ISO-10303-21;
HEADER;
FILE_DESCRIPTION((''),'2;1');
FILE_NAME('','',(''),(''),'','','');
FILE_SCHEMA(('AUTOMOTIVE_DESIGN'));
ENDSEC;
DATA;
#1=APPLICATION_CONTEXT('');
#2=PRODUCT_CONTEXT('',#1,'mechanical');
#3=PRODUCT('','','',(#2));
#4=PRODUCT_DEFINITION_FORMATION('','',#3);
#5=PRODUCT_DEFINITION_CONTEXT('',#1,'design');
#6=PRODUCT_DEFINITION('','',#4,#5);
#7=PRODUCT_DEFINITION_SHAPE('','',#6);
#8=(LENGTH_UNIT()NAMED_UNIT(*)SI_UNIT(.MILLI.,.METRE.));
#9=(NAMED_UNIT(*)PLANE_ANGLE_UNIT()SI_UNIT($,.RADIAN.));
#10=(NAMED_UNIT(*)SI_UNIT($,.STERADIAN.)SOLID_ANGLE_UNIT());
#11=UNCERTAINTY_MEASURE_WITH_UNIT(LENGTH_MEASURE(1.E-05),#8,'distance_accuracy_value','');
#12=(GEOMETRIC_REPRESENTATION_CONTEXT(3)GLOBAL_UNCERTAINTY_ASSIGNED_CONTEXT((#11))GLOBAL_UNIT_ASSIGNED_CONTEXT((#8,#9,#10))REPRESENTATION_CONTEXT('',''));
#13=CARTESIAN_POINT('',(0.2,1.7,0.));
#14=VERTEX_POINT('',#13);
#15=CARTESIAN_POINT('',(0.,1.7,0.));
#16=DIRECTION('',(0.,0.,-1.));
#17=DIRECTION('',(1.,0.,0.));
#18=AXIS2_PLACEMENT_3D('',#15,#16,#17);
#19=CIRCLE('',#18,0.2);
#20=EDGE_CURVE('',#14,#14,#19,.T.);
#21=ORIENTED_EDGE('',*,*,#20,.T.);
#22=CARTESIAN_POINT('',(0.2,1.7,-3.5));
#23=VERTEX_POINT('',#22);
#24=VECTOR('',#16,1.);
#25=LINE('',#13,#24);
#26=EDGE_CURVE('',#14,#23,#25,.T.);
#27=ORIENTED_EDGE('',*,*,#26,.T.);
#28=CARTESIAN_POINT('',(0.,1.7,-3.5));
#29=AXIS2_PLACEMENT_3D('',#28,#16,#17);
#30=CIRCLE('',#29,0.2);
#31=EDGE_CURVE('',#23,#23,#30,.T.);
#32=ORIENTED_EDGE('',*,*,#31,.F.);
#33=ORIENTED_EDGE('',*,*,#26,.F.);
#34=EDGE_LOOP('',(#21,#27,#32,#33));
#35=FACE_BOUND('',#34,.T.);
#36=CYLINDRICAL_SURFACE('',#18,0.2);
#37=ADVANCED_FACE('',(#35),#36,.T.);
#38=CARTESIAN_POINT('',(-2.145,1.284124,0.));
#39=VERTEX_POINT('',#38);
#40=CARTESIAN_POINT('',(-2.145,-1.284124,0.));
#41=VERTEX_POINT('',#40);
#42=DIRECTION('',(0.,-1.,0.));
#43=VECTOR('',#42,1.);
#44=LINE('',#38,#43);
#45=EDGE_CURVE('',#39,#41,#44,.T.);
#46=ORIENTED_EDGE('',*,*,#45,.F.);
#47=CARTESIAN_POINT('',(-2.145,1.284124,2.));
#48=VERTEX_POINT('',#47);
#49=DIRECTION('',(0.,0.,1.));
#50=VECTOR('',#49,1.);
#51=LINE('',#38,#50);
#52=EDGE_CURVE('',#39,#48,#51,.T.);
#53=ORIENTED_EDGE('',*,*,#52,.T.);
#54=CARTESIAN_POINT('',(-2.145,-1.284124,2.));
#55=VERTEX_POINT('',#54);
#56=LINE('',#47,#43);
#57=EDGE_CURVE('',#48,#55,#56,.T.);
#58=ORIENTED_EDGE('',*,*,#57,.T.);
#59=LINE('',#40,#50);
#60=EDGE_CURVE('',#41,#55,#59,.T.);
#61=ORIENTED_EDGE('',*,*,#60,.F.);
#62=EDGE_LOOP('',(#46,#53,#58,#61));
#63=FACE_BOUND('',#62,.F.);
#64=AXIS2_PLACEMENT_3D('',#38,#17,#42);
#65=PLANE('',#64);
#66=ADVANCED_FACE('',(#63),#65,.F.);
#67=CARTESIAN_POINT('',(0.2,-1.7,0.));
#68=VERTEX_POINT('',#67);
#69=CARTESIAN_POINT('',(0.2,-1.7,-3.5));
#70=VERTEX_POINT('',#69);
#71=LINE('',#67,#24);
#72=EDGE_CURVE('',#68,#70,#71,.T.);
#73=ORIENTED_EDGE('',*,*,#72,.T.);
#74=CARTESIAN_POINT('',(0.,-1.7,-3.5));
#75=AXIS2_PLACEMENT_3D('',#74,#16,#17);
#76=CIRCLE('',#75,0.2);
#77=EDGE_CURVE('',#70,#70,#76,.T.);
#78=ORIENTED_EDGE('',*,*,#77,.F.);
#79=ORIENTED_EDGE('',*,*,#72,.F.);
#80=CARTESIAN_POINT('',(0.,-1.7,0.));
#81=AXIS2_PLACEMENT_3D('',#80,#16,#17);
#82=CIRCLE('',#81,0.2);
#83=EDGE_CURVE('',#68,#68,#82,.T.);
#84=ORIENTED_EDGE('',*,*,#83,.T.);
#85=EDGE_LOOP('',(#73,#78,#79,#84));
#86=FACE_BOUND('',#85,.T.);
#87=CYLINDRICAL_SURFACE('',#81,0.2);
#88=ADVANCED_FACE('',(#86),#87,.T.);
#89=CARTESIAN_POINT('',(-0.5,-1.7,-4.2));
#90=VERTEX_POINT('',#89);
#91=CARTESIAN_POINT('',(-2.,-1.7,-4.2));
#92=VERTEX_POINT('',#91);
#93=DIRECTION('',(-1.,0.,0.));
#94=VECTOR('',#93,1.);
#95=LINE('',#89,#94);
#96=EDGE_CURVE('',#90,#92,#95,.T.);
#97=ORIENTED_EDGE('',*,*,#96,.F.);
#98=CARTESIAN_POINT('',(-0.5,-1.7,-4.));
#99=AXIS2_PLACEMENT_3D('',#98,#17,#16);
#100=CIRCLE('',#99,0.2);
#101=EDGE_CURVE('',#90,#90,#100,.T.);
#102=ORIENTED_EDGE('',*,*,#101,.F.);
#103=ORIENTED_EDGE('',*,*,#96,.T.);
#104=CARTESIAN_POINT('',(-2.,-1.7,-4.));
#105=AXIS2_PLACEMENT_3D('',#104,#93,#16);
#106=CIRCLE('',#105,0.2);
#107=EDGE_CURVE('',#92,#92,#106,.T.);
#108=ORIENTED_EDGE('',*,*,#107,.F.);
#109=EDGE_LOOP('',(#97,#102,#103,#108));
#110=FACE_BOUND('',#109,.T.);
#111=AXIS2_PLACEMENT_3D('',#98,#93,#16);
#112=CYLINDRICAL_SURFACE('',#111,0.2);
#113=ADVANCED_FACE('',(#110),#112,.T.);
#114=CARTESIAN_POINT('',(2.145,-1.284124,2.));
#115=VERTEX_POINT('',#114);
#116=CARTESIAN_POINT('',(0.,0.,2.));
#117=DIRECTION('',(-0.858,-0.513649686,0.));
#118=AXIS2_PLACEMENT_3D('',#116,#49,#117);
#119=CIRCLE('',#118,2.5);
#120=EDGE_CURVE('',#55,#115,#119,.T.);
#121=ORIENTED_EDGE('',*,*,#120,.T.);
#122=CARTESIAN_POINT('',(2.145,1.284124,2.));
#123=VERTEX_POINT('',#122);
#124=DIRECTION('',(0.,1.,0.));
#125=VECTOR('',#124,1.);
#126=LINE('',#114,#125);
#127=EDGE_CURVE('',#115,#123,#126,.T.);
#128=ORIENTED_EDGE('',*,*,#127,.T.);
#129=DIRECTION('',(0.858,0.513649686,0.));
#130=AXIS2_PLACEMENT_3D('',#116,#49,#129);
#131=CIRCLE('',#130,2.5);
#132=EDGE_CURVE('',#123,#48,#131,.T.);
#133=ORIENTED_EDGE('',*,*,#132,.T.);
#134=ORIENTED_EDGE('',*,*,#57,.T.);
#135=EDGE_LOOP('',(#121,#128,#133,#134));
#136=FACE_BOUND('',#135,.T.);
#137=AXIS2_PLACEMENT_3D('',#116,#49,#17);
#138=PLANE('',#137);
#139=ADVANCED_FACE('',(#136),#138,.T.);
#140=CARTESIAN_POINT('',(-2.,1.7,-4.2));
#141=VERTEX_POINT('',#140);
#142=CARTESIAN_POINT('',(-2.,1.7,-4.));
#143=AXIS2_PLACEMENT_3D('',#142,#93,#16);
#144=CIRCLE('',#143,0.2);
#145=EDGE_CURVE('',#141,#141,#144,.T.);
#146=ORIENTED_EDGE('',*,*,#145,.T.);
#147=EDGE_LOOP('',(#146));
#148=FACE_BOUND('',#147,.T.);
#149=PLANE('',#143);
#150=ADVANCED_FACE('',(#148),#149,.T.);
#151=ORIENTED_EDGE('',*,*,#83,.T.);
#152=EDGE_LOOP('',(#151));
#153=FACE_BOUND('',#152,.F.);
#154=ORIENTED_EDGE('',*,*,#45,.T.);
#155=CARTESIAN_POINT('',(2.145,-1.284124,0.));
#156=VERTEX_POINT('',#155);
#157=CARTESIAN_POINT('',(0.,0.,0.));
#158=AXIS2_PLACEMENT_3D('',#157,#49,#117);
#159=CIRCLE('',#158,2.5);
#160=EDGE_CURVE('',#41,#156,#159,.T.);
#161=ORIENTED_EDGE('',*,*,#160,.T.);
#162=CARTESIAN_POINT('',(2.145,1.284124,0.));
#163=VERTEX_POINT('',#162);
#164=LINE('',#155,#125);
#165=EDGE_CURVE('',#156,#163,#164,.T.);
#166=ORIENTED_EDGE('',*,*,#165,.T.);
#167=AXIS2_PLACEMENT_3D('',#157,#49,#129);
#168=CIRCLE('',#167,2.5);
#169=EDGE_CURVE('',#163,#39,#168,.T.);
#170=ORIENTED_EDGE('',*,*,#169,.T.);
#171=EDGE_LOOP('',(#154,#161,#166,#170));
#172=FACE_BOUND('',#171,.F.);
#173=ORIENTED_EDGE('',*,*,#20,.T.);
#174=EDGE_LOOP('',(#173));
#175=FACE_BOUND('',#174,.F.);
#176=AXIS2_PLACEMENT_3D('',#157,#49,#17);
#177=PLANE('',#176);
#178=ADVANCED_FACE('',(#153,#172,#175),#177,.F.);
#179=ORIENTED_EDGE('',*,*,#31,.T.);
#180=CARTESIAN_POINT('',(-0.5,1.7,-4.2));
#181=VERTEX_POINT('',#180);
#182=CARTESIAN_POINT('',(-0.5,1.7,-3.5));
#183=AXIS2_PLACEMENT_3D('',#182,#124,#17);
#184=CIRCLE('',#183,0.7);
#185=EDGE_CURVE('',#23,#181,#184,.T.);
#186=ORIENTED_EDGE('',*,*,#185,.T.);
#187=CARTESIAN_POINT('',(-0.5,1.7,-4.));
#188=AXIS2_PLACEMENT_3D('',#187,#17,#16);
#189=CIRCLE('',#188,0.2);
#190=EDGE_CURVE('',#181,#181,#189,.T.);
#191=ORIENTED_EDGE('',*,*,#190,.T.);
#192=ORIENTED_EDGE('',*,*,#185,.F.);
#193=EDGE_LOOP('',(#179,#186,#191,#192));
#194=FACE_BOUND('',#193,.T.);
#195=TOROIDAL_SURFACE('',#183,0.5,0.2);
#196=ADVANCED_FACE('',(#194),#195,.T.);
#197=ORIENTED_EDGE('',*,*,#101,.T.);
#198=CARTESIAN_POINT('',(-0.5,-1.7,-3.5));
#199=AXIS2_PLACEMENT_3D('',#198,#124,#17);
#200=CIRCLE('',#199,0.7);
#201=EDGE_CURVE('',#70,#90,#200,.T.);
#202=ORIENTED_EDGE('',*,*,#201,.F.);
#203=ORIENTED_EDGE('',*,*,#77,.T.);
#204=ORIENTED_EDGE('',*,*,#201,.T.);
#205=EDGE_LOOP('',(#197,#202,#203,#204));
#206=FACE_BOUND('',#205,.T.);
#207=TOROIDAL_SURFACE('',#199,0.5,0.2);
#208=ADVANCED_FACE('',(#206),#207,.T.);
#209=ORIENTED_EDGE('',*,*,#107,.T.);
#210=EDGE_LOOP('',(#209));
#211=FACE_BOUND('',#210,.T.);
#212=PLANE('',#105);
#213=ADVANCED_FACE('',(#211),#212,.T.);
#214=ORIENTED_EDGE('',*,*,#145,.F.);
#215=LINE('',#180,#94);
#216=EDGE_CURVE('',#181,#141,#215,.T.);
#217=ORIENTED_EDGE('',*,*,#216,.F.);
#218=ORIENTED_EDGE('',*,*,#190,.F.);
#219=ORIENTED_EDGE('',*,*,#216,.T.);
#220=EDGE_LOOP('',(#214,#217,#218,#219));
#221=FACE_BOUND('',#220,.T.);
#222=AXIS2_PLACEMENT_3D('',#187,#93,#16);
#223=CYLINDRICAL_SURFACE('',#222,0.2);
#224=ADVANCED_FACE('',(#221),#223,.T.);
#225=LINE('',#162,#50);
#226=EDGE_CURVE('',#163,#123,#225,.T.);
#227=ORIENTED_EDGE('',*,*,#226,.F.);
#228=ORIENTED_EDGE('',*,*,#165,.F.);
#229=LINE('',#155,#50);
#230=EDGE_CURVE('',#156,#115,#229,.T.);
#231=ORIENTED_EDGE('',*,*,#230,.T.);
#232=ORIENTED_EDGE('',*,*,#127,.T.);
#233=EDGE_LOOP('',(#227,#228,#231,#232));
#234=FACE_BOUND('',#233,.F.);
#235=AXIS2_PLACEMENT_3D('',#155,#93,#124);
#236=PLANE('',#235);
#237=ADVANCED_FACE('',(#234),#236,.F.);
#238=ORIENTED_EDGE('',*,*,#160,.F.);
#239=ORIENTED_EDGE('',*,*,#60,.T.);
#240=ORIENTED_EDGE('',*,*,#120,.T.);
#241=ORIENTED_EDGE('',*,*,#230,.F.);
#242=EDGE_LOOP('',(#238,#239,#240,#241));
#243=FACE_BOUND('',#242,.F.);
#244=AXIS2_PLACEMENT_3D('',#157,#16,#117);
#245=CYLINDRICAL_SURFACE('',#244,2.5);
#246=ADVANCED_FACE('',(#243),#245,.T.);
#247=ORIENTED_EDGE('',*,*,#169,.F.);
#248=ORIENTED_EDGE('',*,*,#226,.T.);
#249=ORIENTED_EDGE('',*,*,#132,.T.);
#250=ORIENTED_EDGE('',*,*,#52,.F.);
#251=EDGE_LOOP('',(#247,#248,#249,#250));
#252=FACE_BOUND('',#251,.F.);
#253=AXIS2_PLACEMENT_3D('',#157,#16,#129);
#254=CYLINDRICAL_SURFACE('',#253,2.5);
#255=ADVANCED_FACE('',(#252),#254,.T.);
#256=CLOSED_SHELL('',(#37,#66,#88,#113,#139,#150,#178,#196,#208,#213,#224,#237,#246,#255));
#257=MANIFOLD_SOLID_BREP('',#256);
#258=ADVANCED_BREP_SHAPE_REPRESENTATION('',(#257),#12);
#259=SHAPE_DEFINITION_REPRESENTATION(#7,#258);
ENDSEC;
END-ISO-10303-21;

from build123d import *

# Parameters (mm, degrees)
F1_DEPTH = 2
F2_R     = 0.2


with BuildPart() as f1:
    # F0 (on Top) → F1 (new body)
    with BuildSketch(Plane.XY):
        with BuildLine():
            Line((-2.145, 1.2841242152), (-2.145, -1.2841242152))
            ThreePointArc((-2.145, -1.2841242152), (0, -2.5), (2.145, -1.2841242152))
            Line((2.145, -1.2841242152), (2.145, 1.2841242152))
            ThreePointArc((2.145, 1.2841242152), (0, 2.5), (-2.145, 1.2841242152))
        make_face()
    extrude(amount=F1_DEPTH)

    # F4: sweep along a path in F3
    with BuildLine(Plane.XZ) as f4_path:
        Line((0, 0), (0, -3.5))
        ThreePointArc((0, -3.5), (-0.1464466094, -3.8535533906), (-0.5, -4))
        Line((-0.5, -4), (-2, -4))
    # F2 (on face) → F4 (sweep)
    with BuildSketch(Plane(origin=(0, 0, 0), x_dir=(1, 0, 0), z_dir=(0, 0, -1))):
        with Locations((0, -1.7)):
            Circle(F2_R)
        with Locations((0, 1.7)):
            Circle(F2_R)
    sweep(path=f4_path.line)


solid = f1.part
